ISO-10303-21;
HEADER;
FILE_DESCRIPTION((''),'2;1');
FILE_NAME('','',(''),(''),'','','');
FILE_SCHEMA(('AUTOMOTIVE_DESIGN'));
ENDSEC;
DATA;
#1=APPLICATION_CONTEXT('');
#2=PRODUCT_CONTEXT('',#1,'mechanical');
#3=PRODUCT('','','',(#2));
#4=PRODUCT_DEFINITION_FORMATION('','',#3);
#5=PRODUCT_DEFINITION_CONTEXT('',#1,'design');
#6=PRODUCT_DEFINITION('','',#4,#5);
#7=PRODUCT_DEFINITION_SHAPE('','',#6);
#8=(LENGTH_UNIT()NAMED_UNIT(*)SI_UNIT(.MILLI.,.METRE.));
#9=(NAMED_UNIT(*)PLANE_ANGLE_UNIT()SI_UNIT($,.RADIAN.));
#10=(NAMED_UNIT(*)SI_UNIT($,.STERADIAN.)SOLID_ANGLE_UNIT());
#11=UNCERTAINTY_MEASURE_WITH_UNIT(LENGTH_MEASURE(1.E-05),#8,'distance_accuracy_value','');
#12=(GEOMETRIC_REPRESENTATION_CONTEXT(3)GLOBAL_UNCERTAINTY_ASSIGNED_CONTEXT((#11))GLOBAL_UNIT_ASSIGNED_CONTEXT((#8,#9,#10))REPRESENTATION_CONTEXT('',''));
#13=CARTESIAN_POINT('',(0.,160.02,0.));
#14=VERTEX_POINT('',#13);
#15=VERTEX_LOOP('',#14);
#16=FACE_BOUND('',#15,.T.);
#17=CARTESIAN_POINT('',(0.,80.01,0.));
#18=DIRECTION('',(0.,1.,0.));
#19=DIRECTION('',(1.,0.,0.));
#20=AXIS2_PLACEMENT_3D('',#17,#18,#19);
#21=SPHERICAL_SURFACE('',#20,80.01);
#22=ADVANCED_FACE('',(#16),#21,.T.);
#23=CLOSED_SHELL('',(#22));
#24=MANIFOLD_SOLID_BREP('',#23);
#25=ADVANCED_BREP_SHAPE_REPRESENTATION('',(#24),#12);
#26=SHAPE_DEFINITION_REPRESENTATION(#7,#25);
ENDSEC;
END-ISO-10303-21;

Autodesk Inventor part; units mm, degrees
ref_plane "YZ Plane" through (0, 0, 0) normal (1, 0, 0) x (0, 1, 0)
ref_plane "XZ Plane" through (0, 0, 0) normal (0, 1, 0) x (-1, 0, 0)
ref_plane "XY Plane" through (0, 0, 0) normal (0, 0, 1) x (1, 0, 0)
sketch "Sketch1" plane through (0, 0, 0) normal (0, 0, 1) x (1, 0, 0)
  line L0 (0, 0) -> (0, 160.02)
  arc A0 (0, 0) -> (0, 160.02) centre (0, 80.01) ccw
  dimension "d0" = 160.02
  dimension "d1" = 80.01
revolve "Revolution1" add sketch "Sketch1" angle 360 about axis through (0, 0, 0) along (0, 1, 0)
properties part number "simple red sphere ball"
